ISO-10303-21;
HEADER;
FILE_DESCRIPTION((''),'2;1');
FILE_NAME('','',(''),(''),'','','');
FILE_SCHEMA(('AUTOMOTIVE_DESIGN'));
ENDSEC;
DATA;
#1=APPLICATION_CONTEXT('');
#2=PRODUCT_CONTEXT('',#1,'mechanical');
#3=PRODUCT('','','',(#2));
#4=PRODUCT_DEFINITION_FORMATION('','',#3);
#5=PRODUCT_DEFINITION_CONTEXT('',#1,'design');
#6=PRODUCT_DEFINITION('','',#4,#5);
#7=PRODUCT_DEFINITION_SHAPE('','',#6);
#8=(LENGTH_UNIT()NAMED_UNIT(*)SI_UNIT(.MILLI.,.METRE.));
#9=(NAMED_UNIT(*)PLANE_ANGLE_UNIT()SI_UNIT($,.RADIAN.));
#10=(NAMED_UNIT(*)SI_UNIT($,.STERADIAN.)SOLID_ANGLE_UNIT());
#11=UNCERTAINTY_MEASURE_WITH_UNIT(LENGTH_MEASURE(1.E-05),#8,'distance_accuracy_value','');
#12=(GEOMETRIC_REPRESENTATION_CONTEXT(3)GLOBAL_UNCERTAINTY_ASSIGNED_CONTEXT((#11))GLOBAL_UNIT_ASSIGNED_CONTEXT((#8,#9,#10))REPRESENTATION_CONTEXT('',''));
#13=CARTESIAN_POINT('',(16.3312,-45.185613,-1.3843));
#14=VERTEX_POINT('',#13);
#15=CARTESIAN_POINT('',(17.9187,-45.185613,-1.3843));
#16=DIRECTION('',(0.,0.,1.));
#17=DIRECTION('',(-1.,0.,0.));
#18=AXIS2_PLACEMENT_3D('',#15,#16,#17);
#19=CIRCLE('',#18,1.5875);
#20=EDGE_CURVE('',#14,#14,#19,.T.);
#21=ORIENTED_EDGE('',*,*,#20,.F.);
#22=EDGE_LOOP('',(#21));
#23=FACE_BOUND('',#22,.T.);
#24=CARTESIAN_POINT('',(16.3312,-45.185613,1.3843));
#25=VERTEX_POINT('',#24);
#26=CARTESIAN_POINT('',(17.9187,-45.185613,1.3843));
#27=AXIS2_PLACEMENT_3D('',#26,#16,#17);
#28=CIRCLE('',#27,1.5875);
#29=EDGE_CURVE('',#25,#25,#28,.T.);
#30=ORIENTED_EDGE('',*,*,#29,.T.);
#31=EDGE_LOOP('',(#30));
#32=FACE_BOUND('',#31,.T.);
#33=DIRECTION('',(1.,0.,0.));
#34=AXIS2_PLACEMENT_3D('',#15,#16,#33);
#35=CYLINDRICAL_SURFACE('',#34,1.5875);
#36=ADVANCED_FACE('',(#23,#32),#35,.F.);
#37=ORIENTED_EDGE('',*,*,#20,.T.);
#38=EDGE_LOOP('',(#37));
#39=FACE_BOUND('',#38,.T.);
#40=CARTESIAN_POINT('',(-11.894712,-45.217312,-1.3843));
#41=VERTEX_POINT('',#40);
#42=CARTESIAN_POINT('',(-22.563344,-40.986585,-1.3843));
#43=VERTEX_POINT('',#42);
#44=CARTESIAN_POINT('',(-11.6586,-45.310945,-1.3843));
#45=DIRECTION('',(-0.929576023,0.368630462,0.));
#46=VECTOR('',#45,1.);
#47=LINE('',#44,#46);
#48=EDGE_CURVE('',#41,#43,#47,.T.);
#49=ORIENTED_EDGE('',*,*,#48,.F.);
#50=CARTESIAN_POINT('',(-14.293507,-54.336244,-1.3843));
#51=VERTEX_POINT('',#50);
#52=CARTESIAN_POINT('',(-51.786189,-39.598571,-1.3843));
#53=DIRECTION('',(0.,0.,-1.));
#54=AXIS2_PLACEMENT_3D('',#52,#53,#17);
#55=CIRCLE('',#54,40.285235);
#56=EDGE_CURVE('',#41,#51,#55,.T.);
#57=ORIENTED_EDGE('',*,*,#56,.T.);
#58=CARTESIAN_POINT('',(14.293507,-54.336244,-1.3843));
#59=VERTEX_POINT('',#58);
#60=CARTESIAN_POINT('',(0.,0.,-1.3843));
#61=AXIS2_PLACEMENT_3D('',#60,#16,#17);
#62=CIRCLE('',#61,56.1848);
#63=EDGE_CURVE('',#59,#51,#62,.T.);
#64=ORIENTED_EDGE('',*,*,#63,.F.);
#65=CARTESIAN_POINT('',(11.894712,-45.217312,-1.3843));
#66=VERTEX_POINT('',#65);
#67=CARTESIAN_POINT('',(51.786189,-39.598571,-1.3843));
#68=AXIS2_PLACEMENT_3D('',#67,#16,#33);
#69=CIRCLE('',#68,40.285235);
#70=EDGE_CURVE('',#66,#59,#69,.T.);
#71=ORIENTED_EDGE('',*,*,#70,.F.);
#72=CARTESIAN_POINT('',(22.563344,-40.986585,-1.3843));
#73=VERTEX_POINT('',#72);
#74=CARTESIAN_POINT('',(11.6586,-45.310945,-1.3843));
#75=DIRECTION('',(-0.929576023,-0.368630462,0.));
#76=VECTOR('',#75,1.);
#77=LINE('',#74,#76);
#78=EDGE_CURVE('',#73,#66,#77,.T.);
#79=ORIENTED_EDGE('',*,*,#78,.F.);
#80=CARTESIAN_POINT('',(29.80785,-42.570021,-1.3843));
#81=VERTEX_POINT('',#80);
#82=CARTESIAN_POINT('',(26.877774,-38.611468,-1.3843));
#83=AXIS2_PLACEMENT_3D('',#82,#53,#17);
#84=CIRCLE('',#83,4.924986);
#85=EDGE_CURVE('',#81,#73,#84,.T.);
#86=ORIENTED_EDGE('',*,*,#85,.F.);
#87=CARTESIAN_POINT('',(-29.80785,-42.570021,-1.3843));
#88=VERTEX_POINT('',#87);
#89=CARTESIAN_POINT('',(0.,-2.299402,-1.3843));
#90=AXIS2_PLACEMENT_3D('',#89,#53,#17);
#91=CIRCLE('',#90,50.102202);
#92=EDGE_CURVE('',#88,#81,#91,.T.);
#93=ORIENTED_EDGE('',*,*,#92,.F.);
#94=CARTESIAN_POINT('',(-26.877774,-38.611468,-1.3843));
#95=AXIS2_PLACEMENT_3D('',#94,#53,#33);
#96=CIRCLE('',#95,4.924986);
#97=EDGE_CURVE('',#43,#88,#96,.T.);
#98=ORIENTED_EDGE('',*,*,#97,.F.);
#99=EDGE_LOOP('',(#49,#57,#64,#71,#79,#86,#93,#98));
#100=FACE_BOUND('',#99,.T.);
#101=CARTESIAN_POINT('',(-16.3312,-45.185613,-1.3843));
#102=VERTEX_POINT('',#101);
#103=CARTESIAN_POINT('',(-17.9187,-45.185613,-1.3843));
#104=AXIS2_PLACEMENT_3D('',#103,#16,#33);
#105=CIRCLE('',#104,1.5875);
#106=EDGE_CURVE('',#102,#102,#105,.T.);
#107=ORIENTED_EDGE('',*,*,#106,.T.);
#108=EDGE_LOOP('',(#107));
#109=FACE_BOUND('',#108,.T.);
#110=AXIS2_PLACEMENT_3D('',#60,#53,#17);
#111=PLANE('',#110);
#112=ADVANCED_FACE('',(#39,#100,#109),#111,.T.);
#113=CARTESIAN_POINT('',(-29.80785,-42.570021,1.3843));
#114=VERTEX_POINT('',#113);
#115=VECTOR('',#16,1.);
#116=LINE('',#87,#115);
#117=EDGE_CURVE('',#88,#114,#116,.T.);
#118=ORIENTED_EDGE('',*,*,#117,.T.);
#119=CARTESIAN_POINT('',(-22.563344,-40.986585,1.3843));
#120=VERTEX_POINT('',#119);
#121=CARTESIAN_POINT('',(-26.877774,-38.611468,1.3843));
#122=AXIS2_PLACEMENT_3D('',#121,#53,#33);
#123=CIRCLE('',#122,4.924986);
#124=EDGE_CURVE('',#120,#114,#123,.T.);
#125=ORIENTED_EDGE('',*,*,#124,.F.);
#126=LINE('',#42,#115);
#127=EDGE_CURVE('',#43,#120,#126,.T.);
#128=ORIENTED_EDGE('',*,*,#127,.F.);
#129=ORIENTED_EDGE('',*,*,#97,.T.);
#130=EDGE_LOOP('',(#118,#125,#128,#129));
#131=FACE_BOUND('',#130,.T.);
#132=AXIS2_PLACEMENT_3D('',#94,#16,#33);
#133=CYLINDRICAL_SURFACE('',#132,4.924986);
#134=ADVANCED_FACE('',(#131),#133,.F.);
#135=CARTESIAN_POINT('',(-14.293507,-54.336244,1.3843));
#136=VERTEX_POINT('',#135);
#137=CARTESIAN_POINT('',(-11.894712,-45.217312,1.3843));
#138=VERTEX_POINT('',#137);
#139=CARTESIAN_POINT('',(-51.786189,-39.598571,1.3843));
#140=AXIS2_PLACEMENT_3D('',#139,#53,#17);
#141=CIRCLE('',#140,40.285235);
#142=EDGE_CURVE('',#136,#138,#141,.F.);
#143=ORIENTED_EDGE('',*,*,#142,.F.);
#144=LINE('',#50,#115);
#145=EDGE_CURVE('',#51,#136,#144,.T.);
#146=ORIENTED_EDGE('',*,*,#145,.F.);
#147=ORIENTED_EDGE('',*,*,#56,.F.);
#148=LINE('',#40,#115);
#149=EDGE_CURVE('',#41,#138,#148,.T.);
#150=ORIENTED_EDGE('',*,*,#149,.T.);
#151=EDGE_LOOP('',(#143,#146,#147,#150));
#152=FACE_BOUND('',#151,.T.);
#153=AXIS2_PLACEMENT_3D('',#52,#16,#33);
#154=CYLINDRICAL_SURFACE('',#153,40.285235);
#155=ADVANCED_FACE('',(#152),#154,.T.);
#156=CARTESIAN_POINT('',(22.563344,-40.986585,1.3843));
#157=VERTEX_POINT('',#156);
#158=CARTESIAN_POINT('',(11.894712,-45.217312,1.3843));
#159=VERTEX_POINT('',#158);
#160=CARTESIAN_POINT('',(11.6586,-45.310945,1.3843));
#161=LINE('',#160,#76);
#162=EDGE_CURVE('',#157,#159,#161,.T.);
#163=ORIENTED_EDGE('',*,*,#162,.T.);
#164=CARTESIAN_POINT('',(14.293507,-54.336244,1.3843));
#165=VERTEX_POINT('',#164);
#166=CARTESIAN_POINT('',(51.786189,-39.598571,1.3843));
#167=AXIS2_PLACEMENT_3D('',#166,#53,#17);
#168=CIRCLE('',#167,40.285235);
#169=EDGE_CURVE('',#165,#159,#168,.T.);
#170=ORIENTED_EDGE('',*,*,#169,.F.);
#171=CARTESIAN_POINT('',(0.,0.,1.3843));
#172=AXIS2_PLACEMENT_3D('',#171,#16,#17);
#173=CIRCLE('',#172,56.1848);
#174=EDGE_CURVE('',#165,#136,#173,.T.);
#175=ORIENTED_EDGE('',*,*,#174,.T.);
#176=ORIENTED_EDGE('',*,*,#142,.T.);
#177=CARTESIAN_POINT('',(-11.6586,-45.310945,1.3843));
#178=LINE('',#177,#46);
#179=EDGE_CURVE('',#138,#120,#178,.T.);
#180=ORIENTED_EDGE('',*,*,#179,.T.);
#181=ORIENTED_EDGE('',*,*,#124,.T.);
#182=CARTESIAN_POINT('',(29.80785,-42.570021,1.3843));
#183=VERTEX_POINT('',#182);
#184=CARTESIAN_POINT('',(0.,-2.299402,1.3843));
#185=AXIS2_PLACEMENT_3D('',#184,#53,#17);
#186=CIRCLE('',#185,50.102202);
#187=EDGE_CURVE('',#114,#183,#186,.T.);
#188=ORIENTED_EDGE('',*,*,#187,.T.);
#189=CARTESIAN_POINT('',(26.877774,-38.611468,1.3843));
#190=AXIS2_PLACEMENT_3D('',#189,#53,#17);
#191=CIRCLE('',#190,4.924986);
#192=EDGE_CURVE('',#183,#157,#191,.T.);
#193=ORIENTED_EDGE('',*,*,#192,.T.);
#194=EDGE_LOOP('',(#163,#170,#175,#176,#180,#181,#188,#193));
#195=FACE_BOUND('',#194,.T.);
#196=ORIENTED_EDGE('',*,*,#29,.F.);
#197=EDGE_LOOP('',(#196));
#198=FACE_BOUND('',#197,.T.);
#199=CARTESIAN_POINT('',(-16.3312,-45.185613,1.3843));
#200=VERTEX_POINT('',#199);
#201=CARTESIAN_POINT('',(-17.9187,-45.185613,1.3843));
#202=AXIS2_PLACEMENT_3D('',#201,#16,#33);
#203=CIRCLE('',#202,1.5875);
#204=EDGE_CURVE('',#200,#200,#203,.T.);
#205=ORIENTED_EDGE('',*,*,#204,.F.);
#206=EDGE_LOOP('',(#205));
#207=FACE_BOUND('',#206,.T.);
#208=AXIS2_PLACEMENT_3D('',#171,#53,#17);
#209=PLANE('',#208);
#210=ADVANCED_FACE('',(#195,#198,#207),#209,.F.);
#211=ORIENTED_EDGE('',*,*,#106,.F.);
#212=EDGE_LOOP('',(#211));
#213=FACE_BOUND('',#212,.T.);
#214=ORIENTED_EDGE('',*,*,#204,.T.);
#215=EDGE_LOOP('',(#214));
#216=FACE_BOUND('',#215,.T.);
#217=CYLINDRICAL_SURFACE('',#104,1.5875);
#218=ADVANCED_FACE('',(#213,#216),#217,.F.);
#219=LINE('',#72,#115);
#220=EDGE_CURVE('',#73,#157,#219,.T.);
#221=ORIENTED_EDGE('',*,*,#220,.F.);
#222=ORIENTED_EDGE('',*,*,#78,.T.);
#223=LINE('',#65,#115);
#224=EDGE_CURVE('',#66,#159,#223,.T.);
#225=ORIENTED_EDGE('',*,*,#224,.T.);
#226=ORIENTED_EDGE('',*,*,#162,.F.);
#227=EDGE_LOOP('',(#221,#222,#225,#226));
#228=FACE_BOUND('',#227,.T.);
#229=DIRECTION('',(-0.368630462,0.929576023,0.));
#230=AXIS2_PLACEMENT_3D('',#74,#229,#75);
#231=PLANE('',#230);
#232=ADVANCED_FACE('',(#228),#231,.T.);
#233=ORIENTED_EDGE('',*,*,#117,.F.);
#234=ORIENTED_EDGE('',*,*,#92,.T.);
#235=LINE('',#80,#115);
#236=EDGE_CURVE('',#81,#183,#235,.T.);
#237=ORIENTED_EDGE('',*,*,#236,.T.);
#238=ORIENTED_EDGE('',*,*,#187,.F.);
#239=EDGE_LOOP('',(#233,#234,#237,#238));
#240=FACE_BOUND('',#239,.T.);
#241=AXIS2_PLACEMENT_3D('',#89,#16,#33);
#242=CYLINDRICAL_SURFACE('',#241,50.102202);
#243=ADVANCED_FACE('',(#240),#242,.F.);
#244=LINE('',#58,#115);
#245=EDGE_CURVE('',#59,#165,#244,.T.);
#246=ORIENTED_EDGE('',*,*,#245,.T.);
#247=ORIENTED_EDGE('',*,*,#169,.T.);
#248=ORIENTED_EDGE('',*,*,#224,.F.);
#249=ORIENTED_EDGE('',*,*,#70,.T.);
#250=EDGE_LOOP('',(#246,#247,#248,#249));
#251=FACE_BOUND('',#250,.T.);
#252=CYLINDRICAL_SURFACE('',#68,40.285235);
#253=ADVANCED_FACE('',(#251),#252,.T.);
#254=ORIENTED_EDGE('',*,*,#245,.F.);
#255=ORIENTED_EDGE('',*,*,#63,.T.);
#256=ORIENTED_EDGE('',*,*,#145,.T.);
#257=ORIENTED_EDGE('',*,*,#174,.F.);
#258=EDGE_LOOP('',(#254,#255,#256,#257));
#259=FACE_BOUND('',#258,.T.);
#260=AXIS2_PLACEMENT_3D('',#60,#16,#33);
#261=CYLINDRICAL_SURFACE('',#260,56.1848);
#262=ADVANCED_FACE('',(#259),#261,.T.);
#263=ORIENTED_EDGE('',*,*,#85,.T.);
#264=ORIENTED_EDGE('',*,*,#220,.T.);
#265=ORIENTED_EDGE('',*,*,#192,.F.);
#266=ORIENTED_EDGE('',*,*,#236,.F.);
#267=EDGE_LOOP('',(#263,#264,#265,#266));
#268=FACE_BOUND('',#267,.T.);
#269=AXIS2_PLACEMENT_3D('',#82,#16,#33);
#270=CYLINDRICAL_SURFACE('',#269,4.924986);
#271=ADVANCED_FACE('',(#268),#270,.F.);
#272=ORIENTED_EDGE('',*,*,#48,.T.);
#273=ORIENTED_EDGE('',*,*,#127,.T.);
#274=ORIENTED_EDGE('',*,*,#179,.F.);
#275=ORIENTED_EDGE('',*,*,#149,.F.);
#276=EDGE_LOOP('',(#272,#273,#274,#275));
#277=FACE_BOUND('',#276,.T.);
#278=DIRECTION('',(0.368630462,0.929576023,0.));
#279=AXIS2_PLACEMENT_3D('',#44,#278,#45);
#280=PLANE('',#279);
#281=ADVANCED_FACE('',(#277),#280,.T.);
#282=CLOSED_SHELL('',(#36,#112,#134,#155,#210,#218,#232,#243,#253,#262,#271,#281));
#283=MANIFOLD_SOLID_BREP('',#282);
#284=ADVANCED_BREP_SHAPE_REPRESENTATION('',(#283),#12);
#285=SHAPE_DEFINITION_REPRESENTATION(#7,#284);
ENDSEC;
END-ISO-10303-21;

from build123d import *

# Parameters (mm, degrees)
BOSS_EXTRUDE1_DEPTH      = 1.3843
BOSS_EXTRUDE1_DEPTH_BACK = 1.3843
SKETCH3_R                = 1.5875
CUT_EXTRUDE1_DEPTH       = 80.469363836


with BuildPart() as part:
    # Sketch3 → Boss-Extrude1 (new, two sides: drawn at the far end of the back side and taken through both)
    with BuildSketch(Plane.XY.offset(-BOSS_EXTRUDE1_DEPTH_BACK)):
        with BuildLine():
            Line((-14.000446906, -54.412491557), (-11.6586, -45.310944597))
            Line((-11.6586, -45.310944597), (-22.563343702, -40.986585308))
            ThreePointArc((-22.563343702, -40.986585308), (-25.826143446, -43.422866993), (-29.807849675, -42.570021098))
            ThreePointArc((-29.807849675, -42.570021098), (0, 47.8028), (29.807849675, -42.570021098))
            ThreePointArc((29.807849675, -42.570021098), (25.826143446, -43.422866993), (22.563343702, -40.986585308))
            Line((22.563343702, -40.986585308), (11.6586, -45.310944597))
            Line((11.6586, -45.310944597), (14.000446906, -54.412491557))
            ThreePointArc((14.000446906, -54.412491557), (0, 56.1848), (-14.000446906, -54.412491557))
        make_face()
        with Locations((-17.918699662, -45.185613459)):
            Circle(SKETCH3_R, mode=Mode.SUBTRACT)
        with Locations(Location((17.918699662, -45.185613459, 0), (0, 0, 180))):
            Circle(SKETCH3_R, mode=Mode.SUBTRACT)
    extrude(amount=BOSS_EXTRUDE1_DEPTH + BOSS_EXTRUDE1_DEPTH_BACK)

    # Sketch4 → Cut-Extrude1 (cut, symmetric)
    with BuildSketch(Plane.XY):
        with BuildLine():
            Line((-14.293507369, -54.336243872), (-14.293507369, -68.629751241))
            Line((-14.293507369, -68.629751241), (0, -68.629751241))
            Line((0, -68.629751241), (0, -56.1848))
            Line((0, -56.1848), (0, -45.21731246))
            Line((0, -45.21731246), (-11.89471231, -45.21731246))
            ThreePointArc((-11.89471231, -45.21731246), (-12.826392835, -49.84720289), (-14.293507369, -54.336243872))
        make_face()
    cut_extrude1 = extrude(amount=CUT_EXTRUDE1_DEPTH, both=True, mode=Mode.SUBTRACT)

    # Mirror1: Cut-Extrude1 across plane
    add(cut_extrude1.mirror(Plane(origin=(0, 0, 0), x_dir=(0, 0, 1), z_dir=(1, 0, 0))), mode=Mode.SUBTRACT)


solid = part.part
